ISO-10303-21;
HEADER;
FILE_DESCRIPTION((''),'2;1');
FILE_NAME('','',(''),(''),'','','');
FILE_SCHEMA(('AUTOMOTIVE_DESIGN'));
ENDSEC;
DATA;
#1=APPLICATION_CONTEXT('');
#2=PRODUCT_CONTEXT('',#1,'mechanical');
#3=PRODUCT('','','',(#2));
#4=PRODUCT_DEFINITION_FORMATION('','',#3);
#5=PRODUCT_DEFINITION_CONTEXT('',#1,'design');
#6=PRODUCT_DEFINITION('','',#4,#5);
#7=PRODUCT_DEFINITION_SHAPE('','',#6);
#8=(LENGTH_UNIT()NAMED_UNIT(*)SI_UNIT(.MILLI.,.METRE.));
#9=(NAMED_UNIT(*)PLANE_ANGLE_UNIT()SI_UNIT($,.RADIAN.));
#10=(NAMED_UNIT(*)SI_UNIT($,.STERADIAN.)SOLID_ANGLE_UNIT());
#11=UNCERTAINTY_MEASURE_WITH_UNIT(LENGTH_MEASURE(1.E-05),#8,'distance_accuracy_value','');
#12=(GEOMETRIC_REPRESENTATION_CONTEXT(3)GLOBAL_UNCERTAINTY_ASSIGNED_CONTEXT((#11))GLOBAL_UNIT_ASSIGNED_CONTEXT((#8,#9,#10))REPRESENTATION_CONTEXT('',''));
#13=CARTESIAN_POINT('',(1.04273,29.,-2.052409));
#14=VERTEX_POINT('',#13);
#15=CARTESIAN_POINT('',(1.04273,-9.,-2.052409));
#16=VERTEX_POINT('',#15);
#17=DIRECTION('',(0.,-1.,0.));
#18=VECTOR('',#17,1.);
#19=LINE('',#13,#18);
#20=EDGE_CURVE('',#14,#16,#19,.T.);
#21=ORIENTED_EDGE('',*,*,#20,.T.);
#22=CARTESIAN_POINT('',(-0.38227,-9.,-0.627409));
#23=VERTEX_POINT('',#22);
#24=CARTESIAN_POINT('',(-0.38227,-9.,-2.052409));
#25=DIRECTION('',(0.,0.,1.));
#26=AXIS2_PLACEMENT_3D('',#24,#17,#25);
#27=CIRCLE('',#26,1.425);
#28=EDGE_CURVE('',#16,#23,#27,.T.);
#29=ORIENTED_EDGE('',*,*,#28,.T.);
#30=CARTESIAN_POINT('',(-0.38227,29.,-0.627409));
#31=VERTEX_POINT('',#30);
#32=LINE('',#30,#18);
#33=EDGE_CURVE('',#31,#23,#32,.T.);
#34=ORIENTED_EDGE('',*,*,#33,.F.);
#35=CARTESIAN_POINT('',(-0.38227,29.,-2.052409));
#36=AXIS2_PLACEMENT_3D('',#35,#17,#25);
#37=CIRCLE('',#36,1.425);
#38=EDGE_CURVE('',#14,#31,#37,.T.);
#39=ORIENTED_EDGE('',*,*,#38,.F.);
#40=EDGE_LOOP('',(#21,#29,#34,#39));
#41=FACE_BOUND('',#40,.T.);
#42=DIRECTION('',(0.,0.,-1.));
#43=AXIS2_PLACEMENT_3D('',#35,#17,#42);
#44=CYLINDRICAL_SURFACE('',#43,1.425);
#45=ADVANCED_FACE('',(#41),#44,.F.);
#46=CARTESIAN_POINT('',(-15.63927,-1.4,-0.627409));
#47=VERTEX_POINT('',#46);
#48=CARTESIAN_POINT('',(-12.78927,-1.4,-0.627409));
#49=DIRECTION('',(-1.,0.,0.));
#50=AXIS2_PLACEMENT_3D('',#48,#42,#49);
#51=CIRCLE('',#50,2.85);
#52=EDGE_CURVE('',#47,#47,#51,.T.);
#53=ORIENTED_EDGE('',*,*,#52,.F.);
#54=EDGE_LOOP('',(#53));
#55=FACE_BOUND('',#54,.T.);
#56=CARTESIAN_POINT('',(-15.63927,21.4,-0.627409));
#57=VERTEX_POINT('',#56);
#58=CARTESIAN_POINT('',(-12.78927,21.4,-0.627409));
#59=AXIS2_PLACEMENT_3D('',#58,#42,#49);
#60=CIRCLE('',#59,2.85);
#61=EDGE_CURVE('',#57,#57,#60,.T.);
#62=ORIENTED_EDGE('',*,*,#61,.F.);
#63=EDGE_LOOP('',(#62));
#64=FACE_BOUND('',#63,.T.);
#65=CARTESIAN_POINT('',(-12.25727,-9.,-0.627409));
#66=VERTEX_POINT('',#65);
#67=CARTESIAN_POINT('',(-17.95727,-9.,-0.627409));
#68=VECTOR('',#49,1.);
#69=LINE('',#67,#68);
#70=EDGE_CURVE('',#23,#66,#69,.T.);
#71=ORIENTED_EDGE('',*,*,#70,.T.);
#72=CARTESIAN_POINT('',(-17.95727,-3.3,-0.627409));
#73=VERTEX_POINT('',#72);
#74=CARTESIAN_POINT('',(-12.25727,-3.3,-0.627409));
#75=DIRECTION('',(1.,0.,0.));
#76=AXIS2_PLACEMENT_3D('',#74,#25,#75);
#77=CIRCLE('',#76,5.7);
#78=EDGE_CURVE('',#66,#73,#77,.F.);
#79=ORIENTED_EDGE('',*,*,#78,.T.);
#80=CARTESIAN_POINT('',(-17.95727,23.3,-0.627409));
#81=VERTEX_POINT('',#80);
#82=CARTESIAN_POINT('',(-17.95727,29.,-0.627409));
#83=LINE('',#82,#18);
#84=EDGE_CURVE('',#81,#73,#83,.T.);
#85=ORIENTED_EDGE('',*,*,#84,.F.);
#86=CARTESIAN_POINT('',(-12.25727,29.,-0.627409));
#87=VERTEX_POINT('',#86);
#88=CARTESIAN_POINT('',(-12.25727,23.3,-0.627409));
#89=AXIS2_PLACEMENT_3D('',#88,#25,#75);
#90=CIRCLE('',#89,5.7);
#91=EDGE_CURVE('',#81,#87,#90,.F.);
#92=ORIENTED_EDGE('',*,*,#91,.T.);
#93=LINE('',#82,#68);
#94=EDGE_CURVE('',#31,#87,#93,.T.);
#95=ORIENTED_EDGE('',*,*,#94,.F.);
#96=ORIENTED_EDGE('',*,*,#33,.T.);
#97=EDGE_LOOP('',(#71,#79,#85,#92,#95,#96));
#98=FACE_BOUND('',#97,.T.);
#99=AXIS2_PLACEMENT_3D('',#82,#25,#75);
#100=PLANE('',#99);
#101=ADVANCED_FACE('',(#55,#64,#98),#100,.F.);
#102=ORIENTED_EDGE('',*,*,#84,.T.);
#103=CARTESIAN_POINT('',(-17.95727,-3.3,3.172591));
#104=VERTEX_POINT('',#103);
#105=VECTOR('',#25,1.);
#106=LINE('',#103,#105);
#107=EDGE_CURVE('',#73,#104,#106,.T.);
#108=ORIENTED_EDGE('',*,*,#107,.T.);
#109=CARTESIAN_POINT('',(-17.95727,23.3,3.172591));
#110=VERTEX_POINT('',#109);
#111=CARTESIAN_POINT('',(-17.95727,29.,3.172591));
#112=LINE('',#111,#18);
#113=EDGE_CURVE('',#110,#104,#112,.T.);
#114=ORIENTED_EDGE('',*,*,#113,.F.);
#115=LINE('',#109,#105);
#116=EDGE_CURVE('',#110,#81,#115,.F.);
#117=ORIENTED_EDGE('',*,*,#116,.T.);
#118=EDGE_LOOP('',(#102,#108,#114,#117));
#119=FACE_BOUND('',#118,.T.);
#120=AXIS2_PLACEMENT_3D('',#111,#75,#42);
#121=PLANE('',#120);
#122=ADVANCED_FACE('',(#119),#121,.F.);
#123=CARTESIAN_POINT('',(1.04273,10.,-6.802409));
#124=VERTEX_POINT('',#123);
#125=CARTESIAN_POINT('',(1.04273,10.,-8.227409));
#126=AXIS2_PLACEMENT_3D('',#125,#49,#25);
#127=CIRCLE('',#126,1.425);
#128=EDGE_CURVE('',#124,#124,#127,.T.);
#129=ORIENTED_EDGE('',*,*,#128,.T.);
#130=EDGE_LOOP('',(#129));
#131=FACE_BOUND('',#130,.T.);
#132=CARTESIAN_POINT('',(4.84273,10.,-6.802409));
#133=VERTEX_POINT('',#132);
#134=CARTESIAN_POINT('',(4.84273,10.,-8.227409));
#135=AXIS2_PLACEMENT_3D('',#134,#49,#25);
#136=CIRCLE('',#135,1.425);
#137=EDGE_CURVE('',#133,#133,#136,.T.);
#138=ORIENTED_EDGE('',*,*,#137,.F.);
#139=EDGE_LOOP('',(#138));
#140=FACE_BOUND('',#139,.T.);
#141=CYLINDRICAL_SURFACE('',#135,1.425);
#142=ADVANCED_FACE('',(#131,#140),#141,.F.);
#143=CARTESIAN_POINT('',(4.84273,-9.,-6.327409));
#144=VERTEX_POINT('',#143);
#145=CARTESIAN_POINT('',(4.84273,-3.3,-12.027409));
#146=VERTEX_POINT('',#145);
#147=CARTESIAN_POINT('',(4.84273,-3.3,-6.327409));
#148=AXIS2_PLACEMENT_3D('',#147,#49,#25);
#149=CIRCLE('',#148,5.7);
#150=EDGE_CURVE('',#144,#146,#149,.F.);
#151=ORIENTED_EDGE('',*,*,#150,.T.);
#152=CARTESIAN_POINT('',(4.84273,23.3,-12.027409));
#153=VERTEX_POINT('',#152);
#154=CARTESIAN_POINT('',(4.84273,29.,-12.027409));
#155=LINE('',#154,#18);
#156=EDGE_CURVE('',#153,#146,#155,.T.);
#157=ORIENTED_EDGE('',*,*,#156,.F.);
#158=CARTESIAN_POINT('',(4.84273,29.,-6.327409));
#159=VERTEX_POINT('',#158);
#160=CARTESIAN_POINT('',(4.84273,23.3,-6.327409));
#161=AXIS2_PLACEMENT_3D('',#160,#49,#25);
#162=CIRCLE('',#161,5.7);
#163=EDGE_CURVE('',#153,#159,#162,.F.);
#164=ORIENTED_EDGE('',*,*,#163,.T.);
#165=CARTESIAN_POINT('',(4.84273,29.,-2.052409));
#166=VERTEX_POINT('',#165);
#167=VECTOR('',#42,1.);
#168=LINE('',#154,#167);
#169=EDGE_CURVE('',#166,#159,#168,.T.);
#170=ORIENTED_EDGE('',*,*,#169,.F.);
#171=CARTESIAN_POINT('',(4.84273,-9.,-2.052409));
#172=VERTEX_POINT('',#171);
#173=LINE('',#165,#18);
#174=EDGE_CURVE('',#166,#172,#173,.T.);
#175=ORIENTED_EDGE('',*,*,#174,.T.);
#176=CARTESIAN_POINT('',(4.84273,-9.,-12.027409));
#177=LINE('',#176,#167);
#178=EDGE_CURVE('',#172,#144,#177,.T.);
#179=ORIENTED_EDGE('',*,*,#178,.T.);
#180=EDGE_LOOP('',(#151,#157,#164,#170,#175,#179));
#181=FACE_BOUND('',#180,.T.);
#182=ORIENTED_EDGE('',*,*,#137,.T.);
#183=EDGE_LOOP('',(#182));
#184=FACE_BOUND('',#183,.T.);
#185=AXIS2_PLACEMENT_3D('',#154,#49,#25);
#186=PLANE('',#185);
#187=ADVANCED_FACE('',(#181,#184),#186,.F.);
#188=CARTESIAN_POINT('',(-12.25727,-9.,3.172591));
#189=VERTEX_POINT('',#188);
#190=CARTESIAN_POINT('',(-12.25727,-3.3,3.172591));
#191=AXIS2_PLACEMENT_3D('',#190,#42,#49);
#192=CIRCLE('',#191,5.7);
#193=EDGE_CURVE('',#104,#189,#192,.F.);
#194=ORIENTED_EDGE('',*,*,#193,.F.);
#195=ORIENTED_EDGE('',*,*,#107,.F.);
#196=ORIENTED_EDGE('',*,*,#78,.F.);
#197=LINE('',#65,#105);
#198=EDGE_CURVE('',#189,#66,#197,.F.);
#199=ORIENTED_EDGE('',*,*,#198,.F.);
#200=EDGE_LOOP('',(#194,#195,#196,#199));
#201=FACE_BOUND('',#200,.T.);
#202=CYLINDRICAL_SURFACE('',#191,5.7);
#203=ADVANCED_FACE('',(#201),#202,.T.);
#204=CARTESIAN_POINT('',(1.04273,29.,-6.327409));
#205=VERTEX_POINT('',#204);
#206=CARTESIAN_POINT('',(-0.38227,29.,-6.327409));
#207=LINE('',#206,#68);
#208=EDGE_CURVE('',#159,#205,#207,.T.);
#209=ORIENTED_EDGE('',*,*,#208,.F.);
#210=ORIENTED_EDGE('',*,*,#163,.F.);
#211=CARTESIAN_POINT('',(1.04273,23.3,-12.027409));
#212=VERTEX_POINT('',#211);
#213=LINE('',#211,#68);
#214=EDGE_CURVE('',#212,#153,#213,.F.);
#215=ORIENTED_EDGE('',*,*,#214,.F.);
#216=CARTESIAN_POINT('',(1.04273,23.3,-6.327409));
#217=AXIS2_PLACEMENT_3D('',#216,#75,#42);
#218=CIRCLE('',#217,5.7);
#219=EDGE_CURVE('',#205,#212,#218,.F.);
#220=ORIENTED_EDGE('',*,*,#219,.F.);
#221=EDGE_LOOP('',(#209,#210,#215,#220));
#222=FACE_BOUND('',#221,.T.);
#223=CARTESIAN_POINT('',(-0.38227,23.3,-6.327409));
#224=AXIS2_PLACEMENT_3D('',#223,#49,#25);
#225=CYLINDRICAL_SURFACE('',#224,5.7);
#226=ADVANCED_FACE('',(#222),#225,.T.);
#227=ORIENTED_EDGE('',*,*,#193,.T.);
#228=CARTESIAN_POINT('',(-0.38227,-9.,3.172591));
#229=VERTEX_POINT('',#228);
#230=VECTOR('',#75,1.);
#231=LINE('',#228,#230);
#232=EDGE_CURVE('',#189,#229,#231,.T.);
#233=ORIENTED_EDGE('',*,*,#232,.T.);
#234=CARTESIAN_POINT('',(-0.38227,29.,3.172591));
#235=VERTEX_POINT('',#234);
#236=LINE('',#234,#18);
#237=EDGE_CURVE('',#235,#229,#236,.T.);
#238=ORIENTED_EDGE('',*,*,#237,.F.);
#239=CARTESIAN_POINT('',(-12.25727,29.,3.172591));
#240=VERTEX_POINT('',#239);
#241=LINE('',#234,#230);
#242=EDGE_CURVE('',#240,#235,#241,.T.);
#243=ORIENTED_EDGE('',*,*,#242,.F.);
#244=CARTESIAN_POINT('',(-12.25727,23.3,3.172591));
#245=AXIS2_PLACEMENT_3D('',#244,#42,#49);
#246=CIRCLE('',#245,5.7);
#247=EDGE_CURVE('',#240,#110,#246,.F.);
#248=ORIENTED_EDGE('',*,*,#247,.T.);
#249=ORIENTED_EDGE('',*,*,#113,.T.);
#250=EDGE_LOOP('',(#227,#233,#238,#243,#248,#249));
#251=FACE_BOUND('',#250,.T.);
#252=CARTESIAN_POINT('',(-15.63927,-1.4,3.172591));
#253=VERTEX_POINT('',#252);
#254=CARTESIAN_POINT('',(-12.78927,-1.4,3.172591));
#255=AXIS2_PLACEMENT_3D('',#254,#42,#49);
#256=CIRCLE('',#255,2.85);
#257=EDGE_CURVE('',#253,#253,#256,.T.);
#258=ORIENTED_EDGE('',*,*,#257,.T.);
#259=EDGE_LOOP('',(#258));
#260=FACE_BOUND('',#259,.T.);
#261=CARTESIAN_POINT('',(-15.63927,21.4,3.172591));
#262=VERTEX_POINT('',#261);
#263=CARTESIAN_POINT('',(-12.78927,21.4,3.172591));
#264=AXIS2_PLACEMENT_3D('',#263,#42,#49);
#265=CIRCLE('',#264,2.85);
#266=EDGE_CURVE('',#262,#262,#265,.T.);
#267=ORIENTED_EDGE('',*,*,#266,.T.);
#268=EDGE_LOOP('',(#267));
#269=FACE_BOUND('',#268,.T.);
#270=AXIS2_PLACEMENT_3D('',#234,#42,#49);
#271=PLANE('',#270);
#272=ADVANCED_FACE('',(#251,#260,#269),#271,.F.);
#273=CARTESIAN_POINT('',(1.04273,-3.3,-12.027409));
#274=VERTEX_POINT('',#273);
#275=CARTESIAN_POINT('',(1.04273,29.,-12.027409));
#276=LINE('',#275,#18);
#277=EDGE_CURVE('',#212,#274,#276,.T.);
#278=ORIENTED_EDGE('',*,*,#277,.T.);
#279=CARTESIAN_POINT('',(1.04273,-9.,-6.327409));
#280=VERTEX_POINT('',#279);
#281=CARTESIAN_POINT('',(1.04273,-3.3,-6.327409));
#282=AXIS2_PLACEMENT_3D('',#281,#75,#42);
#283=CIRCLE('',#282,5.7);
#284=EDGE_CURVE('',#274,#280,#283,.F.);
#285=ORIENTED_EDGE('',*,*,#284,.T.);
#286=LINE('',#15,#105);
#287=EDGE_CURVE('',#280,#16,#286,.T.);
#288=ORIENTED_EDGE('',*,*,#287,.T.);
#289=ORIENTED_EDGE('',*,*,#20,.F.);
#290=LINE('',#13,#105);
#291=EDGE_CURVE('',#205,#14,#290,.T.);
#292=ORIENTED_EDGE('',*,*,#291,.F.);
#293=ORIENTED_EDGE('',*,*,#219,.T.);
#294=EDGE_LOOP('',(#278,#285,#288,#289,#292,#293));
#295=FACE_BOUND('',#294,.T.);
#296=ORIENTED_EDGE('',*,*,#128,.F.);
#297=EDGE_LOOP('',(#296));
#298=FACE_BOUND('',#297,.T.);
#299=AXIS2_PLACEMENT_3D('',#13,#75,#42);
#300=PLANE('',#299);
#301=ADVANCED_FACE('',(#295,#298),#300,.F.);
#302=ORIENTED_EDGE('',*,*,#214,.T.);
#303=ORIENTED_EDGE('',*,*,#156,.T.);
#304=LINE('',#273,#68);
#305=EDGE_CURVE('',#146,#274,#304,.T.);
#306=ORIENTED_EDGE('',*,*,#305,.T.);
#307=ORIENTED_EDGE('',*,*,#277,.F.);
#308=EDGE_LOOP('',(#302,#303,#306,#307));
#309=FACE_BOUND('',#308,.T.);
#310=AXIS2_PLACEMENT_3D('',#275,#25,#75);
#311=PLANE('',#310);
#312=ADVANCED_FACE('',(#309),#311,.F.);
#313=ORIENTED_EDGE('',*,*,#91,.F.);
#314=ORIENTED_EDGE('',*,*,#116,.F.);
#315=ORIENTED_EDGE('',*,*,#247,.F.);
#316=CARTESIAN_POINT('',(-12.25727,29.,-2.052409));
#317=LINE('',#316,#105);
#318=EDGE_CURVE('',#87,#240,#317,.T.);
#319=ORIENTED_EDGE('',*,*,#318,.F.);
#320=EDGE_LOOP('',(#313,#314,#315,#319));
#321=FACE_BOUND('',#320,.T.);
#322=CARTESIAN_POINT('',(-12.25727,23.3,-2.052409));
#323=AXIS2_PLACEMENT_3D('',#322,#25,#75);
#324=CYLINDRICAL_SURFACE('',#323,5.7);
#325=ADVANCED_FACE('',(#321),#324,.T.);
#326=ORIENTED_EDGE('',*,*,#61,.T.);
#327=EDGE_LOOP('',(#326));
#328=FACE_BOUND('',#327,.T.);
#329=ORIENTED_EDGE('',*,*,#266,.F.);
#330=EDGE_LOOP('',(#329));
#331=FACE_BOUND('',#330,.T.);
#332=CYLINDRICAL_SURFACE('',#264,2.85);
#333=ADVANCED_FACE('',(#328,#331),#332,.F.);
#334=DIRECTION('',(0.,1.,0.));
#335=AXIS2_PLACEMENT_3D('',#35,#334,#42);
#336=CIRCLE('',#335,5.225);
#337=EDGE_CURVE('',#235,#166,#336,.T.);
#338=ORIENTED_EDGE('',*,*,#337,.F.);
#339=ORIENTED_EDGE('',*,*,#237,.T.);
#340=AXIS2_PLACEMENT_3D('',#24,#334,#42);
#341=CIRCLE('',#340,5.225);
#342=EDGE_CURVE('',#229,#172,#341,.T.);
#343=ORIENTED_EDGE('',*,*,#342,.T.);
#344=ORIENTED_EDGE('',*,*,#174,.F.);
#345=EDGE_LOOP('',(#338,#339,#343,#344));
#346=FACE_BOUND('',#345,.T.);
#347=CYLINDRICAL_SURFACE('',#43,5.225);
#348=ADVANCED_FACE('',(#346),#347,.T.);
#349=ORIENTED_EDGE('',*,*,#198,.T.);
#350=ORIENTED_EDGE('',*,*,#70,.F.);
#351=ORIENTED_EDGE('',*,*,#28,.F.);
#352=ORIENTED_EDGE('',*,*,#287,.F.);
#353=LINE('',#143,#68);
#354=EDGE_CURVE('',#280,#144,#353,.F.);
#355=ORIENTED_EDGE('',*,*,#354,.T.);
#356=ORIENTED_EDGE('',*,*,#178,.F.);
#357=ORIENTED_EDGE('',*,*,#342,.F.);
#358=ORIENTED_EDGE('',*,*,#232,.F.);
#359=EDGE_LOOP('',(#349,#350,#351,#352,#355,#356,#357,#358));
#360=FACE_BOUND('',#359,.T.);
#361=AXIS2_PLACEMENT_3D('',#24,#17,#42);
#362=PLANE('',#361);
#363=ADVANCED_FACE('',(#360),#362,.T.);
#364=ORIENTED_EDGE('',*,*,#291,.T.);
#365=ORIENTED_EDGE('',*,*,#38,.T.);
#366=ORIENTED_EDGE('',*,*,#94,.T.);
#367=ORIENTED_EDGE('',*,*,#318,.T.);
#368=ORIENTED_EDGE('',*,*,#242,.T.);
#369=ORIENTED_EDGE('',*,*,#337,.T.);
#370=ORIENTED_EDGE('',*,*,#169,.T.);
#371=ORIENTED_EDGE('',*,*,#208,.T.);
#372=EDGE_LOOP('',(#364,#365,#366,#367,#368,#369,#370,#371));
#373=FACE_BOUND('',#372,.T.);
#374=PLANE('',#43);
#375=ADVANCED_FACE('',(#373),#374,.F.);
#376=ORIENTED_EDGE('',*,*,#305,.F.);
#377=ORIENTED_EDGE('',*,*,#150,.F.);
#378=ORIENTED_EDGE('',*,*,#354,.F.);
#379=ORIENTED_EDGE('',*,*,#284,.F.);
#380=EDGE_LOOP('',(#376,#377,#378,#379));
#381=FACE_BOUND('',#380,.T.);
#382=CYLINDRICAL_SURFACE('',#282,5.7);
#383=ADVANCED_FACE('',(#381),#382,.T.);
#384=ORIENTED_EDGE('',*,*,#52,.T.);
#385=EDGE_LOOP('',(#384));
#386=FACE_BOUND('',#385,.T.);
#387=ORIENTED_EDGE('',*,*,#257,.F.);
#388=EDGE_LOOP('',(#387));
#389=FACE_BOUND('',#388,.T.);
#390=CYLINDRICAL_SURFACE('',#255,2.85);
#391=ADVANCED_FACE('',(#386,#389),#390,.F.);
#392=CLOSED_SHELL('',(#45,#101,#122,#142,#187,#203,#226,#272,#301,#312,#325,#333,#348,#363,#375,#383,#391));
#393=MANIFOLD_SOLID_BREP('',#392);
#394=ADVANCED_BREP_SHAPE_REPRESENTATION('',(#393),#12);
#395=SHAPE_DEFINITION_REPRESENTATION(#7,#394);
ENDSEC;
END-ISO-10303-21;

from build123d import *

# Parameters (mm, degrees)
BOSS_EXTRUDE1_DEPTH = 20
FILLET1_R           = 3
SKETCH3_R           = 1.5
CUT_EXTRUDE1_DEPTH  = 24.600847442
SKETCH4_R           = 0.75
CUT_EXTRUDE2_DEPTH  = 24.430749028
SCALE1_SCALE        = 1.9


with BuildPart() as part:
    # Sketch2 → Boss-Extrude1 (new body)
    with BuildSketch(Plane(origin=(0, 0, 0), x_dir=(1, 0, 0), z_dir=(0, 1, 0))):
        with BuildLine():
            Line((-1, 7), (1, 7))
            Line((1, 7), (1, 1.75))
            ThreePointArc((1, 1.75), (0.194543648, -0.194543648), (-1.75, -1))
            Line((-1.75, -1), (-11, -1))
            Line((-11, -1), (-11, 1))
            Line((-11, 1), (-1.75, 1))
            ThreePointArc((-1.75, 1), (-1.219669914, 1.219669914), (-1, 1.75))
            Line((-1, 1.75), (-1, 7))
        make_face()
    extrude(amount=BOSS_EXTRUDE1_DEPTH)

    # Fillet1
    fillet1_edges = [part.edges().sort_by_distance(p)[0] for p in [
        (-11, 0, 0),
        (-11, 20, 0),
        (0, 20, -7),
        (0, 0, -7),
    ]]
    fillet(fillet1_edges, radius=FILLET1_R)

    # Sketch3 → Cut-Extrude1 (cut, through all)
    with BuildSketch(Plane(origin=(0, 0, -1), x_dir=(-1, 0, 0), z_dir=(0, 0, -1))):
        with Locations((8.28, 16)):
            Circle(SKETCH3_R)
        with Locations((8.28, 4)):
            Circle(SKETCH3_R)
    extrude(amount=-CUT_EXTRUDE1_DEPTH, mode=Mode.SUBTRACT)

    # Sketch4 → Cut-Extrude2 (cut, through all)
    with BuildSketch(Plane.ZY.offset(1)):
        with Locations((-5, 10)):
            Circle(SKETCH4_R)
    extrude(amount=-CUT_EXTRUDE2_DEPTH, mode=Mode.SUBTRACT)


with BuildPart() as part_1:
    # Scale1: scaled about (-3.269699992, 10, -1.413989503)
    add(part.part.scale(SCALE1_SCALE).moved(Location((2.942729993, -9, 1.272590553))))


solid = part_1.part
